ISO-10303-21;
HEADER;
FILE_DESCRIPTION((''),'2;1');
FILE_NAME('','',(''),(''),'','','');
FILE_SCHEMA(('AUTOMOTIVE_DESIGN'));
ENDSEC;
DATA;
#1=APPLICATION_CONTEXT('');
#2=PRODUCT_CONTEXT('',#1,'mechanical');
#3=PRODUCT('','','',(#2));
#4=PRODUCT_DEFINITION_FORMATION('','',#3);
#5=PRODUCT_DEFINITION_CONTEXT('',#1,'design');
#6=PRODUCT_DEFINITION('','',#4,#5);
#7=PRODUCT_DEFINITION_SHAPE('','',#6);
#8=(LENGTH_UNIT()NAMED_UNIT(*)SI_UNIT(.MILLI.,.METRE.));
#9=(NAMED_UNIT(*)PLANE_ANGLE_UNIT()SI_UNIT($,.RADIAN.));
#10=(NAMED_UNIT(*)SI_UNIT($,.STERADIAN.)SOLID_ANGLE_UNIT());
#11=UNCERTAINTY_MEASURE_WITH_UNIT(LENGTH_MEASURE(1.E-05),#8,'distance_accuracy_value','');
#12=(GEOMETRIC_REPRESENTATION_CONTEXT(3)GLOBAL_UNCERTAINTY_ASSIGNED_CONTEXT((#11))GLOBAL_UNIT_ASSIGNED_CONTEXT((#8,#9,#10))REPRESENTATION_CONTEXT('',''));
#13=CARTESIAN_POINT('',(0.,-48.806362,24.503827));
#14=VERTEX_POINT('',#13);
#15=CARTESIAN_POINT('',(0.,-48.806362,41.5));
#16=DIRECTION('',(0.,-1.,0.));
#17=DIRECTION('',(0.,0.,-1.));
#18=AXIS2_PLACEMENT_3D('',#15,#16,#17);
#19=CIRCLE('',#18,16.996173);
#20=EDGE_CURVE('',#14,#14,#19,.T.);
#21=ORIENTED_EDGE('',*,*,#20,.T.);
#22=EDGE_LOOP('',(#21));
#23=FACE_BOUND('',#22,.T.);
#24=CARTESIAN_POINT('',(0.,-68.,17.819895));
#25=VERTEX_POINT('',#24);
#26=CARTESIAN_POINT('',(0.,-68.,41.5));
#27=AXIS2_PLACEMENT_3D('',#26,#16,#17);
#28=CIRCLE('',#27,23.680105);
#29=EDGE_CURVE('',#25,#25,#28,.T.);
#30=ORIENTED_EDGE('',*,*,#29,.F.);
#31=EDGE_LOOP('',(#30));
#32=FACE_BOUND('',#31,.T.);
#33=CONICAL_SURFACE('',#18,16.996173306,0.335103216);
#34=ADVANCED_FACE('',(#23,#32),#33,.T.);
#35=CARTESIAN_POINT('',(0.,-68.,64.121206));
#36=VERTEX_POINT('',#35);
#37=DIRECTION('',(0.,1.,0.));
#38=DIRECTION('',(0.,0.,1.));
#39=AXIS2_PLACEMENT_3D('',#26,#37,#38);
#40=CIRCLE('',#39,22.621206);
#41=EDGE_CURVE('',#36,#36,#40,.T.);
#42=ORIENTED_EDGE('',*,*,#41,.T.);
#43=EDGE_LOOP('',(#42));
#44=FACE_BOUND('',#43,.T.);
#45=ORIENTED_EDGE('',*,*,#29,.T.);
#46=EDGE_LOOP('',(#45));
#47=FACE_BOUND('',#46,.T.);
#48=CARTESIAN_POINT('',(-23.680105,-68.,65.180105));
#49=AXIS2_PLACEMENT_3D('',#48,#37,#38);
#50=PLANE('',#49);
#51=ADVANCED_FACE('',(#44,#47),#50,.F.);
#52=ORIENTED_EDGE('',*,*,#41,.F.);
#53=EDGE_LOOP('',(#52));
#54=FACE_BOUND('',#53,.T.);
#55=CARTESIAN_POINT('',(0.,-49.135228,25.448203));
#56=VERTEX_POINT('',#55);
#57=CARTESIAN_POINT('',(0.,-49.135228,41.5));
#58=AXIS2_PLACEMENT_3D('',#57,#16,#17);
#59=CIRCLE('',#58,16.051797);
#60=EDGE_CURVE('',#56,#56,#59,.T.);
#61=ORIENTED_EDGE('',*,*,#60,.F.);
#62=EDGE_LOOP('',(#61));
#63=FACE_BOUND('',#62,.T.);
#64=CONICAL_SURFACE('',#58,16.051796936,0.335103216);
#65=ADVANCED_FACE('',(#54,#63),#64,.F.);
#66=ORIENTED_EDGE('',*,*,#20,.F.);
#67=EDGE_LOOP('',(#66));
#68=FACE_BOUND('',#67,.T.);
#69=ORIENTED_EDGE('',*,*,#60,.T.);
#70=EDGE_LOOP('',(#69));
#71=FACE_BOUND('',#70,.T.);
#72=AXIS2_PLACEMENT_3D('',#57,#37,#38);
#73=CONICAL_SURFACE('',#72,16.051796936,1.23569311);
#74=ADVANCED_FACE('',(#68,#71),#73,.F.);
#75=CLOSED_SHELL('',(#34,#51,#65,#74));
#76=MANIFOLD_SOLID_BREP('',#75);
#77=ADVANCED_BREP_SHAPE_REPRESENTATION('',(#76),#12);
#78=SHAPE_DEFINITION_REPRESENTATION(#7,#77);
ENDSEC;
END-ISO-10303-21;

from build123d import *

# Parameters (mm, degrees)
ENL_V_MAT_EXTRU_1_DEPTH      = 98.355161896
ENL_V_MAT_EXTRU_1_DEPTH_BACK = 98.355161896
ESQUISSE3_W                  = 47.360210786
ESQUISSE3_H                  = 0.328866647


with BuildPart() as part:
    # Esquisse2 → Base-Révol.-Mince (revolve)
    with BuildSketch(Plane(origin=(0, 0, 0), x_dir=(0, 0, -1), z_dir=(1, 0, 0))):
        Polygon((-24.503826694, -48.806361526), (-17.819894607, -68), (-18.764270977, -68.328866647), (-25.448203064, -49.135228172), align=None)
    revolve(axis=Axis((0, -110, 41.5), (0, 1, 0)))

    # Esquisse3 → Enlèv. mat.-Extru.1 (cut, two sides: drawn at the far end of the back side and taken through both)
    with BuildSketch(Plane(origin=(0, 0, 0), x_dir=(0, 0, -1), z_dir=(1, 0, 0)).offset(-ENL_V_MAT_EXTRU_1_DEPTH_BACK)):
        with Locations((-41.5, -68.164433323)):
            Rectangle(ESQUISSE3_W, ESQUISSE3_H)
    extrude(amount=ENL_V_MAT_EXTRU_1_DEPTH + ENL_V_MAT_EXTRU_1_DEPTH_BACK, mode=Mode.SUBTRACT)


solid = part.part
